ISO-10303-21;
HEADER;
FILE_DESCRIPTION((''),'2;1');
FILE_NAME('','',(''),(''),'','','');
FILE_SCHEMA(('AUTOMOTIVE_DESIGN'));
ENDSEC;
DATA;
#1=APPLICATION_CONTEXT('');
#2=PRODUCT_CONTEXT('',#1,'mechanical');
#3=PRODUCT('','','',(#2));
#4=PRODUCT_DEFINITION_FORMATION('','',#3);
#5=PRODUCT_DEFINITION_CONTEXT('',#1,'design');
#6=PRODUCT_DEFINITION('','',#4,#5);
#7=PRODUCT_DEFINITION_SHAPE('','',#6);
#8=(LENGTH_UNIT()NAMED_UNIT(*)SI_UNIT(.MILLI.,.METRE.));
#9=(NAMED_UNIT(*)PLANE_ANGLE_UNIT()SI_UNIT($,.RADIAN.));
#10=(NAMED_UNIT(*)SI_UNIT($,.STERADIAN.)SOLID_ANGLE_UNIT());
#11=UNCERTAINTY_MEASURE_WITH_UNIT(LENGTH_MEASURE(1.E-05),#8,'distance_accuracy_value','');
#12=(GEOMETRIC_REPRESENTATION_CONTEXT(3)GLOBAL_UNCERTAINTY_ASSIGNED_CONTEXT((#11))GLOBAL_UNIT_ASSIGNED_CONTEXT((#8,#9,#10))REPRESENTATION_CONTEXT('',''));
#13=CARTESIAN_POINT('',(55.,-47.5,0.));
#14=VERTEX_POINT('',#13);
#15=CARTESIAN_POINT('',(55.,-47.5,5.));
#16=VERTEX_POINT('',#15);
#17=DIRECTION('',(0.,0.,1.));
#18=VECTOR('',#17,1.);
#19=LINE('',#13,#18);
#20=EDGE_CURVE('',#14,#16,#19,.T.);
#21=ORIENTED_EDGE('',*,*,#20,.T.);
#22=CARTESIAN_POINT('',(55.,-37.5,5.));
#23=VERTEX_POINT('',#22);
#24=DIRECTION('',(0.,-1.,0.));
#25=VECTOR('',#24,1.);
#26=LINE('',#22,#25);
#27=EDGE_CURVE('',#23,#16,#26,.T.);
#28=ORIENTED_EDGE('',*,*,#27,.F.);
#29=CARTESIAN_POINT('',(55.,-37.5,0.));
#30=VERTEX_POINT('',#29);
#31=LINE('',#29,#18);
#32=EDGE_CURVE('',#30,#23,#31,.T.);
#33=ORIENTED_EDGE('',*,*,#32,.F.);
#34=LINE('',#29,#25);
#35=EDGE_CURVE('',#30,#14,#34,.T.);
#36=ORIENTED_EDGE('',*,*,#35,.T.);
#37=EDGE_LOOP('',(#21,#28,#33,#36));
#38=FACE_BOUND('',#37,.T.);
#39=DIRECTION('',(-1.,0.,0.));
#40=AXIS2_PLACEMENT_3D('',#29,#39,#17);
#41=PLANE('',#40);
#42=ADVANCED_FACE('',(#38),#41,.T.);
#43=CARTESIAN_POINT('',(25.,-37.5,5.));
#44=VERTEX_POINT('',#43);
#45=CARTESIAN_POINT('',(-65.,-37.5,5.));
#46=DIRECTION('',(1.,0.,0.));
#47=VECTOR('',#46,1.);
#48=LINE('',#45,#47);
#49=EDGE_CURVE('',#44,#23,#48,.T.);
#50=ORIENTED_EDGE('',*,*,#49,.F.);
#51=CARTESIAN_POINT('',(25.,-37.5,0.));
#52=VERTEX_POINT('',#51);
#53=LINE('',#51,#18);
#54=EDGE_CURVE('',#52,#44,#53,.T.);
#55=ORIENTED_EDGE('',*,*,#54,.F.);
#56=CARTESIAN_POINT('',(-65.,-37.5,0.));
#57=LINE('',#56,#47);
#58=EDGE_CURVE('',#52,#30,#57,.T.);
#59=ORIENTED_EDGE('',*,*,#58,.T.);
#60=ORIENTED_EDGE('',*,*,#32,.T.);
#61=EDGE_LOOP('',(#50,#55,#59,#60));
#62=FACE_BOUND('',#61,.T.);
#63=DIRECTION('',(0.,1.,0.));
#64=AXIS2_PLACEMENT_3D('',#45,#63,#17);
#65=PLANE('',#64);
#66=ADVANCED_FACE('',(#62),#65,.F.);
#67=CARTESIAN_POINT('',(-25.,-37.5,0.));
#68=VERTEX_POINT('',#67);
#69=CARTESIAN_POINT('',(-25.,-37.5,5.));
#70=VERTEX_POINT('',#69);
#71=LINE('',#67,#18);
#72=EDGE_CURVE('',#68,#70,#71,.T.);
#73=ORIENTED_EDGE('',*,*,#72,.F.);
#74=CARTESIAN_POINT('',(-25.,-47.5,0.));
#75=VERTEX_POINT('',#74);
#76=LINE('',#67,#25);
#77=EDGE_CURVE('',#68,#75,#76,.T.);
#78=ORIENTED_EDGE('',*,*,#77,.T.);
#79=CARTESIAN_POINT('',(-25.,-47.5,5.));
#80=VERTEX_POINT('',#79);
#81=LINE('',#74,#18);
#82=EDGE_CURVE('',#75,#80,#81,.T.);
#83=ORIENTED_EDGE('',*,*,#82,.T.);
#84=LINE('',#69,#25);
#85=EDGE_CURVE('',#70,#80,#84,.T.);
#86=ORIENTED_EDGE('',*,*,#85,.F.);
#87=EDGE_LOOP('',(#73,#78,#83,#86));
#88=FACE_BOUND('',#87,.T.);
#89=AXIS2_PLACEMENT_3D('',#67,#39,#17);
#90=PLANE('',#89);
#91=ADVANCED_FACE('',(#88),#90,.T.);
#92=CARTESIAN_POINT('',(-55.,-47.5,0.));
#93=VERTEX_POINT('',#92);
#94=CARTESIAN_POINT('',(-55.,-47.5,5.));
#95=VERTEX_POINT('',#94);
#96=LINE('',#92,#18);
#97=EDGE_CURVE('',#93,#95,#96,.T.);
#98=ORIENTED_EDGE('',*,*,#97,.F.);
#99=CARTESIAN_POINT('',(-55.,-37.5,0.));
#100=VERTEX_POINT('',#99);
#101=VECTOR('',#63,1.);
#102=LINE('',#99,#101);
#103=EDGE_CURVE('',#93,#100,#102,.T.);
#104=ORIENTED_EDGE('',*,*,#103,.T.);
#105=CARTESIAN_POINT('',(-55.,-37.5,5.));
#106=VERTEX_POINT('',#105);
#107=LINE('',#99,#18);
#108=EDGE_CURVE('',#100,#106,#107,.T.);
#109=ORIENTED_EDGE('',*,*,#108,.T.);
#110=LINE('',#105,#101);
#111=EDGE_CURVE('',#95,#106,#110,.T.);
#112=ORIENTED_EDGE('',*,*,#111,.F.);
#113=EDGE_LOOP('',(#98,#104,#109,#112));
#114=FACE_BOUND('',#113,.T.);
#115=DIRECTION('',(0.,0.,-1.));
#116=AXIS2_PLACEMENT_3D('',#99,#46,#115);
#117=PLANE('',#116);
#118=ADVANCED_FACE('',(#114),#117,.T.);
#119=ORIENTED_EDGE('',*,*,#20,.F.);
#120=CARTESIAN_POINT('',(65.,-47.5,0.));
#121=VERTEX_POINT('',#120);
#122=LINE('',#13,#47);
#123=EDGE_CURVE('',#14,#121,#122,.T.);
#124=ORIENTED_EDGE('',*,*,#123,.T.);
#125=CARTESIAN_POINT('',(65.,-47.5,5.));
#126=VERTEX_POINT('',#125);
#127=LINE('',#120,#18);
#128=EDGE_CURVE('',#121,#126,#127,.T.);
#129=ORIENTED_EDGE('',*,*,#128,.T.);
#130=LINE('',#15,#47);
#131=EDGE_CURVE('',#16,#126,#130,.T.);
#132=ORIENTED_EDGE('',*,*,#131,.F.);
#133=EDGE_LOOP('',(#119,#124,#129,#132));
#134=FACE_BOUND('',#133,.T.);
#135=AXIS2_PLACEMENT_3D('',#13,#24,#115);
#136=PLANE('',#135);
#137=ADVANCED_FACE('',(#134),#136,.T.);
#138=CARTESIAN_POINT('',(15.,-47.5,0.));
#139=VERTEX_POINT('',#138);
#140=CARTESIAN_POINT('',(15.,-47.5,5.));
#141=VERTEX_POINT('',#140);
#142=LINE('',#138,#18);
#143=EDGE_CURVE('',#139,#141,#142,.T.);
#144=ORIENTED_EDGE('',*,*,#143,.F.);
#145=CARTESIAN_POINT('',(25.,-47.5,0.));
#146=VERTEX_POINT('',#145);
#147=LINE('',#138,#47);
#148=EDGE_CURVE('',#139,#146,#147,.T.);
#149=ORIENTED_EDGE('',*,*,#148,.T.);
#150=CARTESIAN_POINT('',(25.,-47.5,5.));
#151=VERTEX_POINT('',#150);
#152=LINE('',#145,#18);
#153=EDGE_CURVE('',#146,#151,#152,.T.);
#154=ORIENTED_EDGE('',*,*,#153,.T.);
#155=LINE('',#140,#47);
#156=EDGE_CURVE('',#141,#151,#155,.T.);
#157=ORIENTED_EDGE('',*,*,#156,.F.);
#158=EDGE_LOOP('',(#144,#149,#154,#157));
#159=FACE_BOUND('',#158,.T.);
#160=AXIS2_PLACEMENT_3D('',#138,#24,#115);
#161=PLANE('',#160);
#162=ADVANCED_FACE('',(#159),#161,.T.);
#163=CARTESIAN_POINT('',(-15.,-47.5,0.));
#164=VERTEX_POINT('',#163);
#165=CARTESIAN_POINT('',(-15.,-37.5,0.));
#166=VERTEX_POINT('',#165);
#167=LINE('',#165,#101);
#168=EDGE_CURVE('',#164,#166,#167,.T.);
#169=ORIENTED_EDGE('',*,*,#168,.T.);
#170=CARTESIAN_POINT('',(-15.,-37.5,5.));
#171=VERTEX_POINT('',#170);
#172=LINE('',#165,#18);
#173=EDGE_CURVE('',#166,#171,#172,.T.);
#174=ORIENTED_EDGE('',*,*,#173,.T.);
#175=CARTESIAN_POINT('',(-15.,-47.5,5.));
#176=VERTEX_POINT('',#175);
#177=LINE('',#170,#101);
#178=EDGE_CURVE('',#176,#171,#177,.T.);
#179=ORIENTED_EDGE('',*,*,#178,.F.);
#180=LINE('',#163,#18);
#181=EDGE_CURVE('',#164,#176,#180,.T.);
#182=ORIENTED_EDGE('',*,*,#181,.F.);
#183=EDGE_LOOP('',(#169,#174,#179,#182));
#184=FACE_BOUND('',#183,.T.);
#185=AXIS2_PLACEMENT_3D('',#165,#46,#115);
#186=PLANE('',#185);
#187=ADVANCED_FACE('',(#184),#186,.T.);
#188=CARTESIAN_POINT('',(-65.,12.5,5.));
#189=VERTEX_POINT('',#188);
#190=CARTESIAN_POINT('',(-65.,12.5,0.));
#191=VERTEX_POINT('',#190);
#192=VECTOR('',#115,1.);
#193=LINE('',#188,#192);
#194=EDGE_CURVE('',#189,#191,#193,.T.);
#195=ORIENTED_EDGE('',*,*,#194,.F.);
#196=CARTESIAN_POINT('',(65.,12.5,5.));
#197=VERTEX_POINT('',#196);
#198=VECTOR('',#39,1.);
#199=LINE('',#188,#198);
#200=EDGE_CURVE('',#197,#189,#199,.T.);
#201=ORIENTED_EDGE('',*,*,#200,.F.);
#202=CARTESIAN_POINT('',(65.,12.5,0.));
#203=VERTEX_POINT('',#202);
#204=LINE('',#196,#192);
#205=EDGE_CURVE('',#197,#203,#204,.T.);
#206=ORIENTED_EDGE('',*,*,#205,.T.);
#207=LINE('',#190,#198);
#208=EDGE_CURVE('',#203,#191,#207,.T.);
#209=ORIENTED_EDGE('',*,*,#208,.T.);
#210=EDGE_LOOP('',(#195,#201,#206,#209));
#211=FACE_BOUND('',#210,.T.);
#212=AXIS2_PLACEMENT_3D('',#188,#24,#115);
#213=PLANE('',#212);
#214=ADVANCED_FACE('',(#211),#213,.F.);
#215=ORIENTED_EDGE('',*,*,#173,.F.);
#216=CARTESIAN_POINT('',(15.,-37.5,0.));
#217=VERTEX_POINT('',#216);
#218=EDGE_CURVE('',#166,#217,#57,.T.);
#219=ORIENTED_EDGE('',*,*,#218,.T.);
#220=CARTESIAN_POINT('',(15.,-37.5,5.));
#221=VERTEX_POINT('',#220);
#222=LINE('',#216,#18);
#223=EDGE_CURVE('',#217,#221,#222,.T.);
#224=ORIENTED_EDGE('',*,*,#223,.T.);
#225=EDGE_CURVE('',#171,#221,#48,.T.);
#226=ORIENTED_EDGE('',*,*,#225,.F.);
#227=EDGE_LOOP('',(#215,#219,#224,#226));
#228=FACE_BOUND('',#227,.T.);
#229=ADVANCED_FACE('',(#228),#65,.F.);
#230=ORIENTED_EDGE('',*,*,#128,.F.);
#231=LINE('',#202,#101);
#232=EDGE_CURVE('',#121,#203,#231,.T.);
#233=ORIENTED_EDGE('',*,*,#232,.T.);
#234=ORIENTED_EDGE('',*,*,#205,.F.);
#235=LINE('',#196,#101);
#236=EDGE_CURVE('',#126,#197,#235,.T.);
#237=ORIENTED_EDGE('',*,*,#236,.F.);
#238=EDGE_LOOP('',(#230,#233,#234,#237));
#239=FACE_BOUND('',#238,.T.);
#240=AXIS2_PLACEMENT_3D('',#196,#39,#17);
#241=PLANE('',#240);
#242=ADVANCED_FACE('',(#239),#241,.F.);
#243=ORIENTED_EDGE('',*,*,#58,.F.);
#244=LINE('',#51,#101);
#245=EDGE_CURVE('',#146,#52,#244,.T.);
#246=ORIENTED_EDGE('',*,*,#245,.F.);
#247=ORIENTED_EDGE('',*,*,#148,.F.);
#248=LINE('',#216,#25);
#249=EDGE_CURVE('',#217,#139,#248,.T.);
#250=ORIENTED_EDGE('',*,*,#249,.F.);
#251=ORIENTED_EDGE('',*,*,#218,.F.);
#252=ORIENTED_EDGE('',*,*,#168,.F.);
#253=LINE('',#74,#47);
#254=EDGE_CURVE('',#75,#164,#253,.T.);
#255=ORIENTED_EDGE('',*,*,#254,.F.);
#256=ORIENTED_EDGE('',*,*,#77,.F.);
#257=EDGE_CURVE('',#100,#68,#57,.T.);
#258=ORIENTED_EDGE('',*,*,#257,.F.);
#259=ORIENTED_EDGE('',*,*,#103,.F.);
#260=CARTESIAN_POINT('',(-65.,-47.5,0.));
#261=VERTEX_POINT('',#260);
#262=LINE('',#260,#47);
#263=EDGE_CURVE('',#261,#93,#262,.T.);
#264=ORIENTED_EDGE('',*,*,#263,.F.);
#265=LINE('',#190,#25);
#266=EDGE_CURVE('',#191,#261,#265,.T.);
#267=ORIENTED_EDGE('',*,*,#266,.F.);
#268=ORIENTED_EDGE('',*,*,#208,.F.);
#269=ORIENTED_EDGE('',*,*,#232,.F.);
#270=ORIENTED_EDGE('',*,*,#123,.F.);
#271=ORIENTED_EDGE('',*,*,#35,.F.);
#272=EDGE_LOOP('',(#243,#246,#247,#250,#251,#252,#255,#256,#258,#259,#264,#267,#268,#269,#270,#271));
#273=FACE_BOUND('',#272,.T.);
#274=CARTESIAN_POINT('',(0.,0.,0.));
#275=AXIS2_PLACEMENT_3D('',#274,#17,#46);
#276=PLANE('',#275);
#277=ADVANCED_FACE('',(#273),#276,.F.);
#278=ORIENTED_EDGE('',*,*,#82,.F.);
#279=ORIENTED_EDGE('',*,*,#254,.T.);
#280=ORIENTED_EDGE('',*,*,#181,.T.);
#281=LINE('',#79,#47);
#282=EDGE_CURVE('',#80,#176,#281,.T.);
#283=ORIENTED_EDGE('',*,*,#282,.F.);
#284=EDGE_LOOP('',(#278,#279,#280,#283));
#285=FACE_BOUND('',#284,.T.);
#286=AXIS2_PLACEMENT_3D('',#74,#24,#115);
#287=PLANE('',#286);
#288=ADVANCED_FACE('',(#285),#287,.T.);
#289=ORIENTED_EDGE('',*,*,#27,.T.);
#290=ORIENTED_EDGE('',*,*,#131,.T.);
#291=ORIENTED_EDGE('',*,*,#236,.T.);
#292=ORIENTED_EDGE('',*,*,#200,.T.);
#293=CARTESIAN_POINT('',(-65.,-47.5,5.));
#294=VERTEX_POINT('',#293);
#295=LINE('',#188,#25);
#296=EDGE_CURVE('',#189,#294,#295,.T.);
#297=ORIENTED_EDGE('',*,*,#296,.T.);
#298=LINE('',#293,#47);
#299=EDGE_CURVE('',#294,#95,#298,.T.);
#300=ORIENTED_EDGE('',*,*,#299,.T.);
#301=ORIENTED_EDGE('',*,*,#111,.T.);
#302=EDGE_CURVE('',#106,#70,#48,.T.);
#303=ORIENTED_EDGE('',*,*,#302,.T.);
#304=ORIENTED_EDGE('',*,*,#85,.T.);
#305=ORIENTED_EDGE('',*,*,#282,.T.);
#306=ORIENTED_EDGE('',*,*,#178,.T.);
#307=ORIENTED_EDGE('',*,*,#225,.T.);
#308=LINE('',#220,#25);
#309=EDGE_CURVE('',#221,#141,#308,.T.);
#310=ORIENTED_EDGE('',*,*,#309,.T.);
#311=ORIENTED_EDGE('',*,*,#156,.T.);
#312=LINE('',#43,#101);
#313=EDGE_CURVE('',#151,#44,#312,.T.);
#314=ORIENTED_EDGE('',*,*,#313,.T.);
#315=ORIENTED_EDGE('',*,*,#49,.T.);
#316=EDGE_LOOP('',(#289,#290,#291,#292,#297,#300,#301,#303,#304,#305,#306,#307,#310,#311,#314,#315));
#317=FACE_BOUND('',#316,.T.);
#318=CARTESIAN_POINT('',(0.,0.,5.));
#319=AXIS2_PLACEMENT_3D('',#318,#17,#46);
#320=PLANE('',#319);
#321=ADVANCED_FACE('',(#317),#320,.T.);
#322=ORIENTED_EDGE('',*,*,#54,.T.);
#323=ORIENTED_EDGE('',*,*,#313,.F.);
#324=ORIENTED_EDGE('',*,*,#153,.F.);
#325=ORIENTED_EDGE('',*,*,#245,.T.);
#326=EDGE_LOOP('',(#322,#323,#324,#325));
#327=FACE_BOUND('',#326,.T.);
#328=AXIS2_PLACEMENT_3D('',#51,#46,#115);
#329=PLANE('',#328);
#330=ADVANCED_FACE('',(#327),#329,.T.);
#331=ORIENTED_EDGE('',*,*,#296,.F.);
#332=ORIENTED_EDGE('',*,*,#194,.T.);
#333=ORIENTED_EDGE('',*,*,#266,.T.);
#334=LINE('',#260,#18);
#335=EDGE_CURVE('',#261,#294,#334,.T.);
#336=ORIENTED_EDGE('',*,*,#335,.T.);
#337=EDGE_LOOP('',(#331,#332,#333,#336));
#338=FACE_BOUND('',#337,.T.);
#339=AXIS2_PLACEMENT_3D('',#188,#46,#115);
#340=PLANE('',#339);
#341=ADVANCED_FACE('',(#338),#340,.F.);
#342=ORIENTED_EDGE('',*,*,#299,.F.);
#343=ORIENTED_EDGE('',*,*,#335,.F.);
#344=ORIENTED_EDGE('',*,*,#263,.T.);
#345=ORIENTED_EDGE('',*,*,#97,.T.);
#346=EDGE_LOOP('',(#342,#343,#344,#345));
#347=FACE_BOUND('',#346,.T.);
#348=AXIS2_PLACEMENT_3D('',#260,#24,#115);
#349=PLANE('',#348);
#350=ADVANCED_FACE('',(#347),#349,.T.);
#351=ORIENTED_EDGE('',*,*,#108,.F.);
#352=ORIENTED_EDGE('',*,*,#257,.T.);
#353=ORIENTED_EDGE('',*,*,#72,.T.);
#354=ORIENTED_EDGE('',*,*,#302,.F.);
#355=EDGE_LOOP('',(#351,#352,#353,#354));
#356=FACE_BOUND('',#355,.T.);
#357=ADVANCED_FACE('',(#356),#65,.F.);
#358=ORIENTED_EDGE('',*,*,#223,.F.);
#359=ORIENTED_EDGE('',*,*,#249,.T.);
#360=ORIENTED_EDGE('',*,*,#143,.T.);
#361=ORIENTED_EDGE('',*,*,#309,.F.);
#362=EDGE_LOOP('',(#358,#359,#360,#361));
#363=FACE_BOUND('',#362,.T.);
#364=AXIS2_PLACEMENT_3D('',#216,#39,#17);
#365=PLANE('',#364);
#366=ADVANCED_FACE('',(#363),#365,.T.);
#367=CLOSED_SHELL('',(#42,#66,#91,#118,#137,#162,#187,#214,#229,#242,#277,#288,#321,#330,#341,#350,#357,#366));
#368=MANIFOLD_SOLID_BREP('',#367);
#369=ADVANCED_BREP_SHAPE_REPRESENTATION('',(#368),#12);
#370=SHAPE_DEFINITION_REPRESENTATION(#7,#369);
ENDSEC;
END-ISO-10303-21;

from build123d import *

# Parameters (mm, degrees)
ESQUISSE1_W                = 130
ESQUISSE1_H                = 50
BOSS_EXTRU_1_DEPTH         = 5
ESQUISSE2_W                = 10
ESQUISSE2_H                = 10
BOSS_EXTRU_2_DEPTH         = 5
R_P_TITION_LIN_AIRE1_COUNT = 4
R_P_TITION_LIN_AIRE1_PITCH = 40


with BuildPart() as part:
    # Esquisse1 → Boss.-Extru.1 (new body)
    with BuildSketch(Plane.XY):
        with Locations((0, -12.5)):
            Rectangle(ESQUISSE1_W, ESQUISSE1_H)
    extrude(amount=BOSS_EXTRU_1_DEPTH)

    # Esquisse2 → Boss.-Extru.2 (add)
    with BuildSketch(Plane.XY.offset(5)):
        with Locations((-60, -42.5)):
            Rectangle(ESQUISSE2_W, ESQUISSE2_H)
    boss_extru_2 = extrude(amount=-BOSS_EXTRU_2_DEPTH)

    # Répétition linéaire1: Boss.-Extru.2 ×4
    with Locations(*[(i * R_P_TITION_LIN_AIRE1_PITCH, 0, 0) for i in range(1, R_P_TITION_LIN_AIRE1_COUNT)]):
        add(boss_extru_2)


solid = part.part
